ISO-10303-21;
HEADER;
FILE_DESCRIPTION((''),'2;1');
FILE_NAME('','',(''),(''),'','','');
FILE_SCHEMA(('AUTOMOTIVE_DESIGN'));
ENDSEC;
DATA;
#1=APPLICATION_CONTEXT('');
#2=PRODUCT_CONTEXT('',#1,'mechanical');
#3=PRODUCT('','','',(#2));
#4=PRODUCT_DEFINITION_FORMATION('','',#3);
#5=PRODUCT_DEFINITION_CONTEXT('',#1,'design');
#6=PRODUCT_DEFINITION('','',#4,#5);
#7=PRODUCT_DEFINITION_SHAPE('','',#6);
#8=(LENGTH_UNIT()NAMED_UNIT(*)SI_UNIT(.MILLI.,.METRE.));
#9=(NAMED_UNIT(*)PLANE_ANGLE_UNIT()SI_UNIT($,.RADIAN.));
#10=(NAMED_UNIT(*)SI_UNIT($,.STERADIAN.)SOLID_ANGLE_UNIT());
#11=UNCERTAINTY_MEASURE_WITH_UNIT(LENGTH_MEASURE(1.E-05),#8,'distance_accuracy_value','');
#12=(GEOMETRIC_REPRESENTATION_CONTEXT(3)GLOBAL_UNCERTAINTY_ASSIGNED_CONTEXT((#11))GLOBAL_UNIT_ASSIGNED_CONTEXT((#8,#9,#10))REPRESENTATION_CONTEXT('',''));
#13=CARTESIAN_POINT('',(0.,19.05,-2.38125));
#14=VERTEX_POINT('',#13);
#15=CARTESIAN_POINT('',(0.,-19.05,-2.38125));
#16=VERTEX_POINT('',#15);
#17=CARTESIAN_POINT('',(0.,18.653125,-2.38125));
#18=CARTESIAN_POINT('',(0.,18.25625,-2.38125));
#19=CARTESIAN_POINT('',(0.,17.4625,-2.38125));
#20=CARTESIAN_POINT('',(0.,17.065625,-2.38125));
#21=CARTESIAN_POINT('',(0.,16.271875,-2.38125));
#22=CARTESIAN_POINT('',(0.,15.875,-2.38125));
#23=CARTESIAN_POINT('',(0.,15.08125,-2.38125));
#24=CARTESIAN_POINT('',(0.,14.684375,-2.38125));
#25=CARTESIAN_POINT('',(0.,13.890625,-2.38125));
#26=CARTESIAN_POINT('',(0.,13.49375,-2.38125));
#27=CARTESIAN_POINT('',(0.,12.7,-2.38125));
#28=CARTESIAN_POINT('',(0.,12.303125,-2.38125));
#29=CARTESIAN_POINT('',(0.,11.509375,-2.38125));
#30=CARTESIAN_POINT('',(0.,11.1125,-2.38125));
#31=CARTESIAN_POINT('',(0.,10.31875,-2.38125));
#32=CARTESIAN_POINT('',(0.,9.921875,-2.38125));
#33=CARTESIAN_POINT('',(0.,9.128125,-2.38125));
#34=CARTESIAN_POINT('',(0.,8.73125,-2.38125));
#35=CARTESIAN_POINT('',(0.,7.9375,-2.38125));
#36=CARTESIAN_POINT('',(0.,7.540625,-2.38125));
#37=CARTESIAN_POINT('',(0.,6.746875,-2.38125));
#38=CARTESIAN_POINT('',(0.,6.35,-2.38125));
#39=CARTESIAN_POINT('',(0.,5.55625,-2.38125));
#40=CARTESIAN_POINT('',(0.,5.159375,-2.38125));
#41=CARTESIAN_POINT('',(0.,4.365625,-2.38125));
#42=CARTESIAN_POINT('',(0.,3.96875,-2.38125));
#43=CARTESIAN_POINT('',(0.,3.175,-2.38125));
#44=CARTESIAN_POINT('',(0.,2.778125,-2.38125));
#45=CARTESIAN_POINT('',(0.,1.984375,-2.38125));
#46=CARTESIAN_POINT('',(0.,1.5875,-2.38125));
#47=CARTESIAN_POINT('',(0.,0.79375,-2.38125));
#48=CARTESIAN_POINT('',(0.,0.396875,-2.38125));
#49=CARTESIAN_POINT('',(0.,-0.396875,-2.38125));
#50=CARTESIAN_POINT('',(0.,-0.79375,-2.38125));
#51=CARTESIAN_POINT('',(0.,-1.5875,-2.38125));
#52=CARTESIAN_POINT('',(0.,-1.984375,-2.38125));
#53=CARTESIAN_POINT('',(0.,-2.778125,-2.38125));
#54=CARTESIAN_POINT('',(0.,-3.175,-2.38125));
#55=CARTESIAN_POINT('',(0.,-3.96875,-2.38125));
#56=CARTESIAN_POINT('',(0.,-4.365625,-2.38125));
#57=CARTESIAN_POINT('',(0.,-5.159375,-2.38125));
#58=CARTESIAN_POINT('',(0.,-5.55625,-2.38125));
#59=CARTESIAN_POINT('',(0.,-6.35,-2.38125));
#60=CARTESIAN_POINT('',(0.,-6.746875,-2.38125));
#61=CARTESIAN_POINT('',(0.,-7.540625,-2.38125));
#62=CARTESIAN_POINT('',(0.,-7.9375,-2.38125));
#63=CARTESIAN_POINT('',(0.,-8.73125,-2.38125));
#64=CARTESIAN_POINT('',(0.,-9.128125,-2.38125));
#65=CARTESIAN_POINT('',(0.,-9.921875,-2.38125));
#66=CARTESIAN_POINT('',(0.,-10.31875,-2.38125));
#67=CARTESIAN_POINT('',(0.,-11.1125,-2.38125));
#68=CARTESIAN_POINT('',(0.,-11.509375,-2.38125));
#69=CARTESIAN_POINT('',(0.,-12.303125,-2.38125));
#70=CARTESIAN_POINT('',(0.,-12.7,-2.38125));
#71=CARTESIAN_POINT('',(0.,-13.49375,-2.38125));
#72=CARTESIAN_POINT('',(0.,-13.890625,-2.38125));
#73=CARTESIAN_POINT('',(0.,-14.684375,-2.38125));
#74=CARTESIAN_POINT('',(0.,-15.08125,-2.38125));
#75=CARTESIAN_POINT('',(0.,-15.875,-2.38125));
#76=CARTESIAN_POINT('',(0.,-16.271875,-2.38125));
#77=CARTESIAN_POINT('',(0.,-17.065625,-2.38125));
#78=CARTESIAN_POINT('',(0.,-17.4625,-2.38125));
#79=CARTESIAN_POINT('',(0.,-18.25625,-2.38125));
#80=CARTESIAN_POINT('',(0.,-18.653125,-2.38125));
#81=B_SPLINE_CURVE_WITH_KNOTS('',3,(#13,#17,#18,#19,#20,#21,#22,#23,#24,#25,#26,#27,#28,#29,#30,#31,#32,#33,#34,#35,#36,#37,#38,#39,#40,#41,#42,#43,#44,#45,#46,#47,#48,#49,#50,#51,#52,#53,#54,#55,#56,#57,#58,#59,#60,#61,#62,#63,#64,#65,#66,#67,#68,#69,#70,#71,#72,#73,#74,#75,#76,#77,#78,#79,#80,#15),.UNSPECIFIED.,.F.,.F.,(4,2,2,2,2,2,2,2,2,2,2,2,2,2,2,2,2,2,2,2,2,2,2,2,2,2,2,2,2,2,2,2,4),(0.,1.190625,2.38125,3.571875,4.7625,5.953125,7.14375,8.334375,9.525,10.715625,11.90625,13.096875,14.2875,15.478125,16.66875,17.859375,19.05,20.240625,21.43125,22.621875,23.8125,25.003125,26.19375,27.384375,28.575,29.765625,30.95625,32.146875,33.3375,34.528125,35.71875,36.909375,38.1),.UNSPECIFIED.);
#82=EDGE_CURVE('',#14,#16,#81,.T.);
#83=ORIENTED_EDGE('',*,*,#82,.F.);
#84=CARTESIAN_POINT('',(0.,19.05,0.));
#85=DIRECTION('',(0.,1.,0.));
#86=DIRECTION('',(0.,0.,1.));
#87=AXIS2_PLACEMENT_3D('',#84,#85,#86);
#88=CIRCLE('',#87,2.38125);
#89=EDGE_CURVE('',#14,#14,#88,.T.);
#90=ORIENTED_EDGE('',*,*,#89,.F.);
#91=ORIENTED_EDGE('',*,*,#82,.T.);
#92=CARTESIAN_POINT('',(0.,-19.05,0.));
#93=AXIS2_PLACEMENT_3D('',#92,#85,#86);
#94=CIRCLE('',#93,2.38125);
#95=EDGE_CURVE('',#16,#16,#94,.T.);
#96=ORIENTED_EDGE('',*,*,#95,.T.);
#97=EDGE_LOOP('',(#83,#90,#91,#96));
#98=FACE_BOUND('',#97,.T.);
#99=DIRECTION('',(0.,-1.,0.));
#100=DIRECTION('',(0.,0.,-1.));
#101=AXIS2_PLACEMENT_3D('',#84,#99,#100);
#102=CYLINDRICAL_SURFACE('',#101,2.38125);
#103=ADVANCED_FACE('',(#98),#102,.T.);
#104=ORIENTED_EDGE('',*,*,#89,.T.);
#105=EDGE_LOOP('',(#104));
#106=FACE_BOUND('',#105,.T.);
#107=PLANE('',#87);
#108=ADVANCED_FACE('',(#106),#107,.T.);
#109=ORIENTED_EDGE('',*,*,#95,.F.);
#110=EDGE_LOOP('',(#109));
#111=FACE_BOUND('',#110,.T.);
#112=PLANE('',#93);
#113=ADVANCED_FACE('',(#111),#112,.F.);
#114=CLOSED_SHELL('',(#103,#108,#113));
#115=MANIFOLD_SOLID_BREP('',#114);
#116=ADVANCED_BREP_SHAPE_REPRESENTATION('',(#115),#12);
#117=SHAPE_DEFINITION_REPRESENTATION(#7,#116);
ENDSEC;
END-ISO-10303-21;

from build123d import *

# Parameters (mm, degrees)
SKETCH1_R           = 2.38125
BOSS_EXTRUDE1_DEPTH = 19.05


with BuildPart() as part:
    # Sketch1 → Boss-Extrude1 (new, symmetric)
    with BuildSketch(Plane(origin=(0, 0, 0), x_dir=(1, 0, 0), z_dir=(0, 1, 0))):
        with Locations(Location((0, 0, 0), (0, 0, 90))):
            Circle(SKETCH1_R)
    extrude(amount=BOSS_EXTRUDE1_DEPTH, both=True)


solid = part.part
